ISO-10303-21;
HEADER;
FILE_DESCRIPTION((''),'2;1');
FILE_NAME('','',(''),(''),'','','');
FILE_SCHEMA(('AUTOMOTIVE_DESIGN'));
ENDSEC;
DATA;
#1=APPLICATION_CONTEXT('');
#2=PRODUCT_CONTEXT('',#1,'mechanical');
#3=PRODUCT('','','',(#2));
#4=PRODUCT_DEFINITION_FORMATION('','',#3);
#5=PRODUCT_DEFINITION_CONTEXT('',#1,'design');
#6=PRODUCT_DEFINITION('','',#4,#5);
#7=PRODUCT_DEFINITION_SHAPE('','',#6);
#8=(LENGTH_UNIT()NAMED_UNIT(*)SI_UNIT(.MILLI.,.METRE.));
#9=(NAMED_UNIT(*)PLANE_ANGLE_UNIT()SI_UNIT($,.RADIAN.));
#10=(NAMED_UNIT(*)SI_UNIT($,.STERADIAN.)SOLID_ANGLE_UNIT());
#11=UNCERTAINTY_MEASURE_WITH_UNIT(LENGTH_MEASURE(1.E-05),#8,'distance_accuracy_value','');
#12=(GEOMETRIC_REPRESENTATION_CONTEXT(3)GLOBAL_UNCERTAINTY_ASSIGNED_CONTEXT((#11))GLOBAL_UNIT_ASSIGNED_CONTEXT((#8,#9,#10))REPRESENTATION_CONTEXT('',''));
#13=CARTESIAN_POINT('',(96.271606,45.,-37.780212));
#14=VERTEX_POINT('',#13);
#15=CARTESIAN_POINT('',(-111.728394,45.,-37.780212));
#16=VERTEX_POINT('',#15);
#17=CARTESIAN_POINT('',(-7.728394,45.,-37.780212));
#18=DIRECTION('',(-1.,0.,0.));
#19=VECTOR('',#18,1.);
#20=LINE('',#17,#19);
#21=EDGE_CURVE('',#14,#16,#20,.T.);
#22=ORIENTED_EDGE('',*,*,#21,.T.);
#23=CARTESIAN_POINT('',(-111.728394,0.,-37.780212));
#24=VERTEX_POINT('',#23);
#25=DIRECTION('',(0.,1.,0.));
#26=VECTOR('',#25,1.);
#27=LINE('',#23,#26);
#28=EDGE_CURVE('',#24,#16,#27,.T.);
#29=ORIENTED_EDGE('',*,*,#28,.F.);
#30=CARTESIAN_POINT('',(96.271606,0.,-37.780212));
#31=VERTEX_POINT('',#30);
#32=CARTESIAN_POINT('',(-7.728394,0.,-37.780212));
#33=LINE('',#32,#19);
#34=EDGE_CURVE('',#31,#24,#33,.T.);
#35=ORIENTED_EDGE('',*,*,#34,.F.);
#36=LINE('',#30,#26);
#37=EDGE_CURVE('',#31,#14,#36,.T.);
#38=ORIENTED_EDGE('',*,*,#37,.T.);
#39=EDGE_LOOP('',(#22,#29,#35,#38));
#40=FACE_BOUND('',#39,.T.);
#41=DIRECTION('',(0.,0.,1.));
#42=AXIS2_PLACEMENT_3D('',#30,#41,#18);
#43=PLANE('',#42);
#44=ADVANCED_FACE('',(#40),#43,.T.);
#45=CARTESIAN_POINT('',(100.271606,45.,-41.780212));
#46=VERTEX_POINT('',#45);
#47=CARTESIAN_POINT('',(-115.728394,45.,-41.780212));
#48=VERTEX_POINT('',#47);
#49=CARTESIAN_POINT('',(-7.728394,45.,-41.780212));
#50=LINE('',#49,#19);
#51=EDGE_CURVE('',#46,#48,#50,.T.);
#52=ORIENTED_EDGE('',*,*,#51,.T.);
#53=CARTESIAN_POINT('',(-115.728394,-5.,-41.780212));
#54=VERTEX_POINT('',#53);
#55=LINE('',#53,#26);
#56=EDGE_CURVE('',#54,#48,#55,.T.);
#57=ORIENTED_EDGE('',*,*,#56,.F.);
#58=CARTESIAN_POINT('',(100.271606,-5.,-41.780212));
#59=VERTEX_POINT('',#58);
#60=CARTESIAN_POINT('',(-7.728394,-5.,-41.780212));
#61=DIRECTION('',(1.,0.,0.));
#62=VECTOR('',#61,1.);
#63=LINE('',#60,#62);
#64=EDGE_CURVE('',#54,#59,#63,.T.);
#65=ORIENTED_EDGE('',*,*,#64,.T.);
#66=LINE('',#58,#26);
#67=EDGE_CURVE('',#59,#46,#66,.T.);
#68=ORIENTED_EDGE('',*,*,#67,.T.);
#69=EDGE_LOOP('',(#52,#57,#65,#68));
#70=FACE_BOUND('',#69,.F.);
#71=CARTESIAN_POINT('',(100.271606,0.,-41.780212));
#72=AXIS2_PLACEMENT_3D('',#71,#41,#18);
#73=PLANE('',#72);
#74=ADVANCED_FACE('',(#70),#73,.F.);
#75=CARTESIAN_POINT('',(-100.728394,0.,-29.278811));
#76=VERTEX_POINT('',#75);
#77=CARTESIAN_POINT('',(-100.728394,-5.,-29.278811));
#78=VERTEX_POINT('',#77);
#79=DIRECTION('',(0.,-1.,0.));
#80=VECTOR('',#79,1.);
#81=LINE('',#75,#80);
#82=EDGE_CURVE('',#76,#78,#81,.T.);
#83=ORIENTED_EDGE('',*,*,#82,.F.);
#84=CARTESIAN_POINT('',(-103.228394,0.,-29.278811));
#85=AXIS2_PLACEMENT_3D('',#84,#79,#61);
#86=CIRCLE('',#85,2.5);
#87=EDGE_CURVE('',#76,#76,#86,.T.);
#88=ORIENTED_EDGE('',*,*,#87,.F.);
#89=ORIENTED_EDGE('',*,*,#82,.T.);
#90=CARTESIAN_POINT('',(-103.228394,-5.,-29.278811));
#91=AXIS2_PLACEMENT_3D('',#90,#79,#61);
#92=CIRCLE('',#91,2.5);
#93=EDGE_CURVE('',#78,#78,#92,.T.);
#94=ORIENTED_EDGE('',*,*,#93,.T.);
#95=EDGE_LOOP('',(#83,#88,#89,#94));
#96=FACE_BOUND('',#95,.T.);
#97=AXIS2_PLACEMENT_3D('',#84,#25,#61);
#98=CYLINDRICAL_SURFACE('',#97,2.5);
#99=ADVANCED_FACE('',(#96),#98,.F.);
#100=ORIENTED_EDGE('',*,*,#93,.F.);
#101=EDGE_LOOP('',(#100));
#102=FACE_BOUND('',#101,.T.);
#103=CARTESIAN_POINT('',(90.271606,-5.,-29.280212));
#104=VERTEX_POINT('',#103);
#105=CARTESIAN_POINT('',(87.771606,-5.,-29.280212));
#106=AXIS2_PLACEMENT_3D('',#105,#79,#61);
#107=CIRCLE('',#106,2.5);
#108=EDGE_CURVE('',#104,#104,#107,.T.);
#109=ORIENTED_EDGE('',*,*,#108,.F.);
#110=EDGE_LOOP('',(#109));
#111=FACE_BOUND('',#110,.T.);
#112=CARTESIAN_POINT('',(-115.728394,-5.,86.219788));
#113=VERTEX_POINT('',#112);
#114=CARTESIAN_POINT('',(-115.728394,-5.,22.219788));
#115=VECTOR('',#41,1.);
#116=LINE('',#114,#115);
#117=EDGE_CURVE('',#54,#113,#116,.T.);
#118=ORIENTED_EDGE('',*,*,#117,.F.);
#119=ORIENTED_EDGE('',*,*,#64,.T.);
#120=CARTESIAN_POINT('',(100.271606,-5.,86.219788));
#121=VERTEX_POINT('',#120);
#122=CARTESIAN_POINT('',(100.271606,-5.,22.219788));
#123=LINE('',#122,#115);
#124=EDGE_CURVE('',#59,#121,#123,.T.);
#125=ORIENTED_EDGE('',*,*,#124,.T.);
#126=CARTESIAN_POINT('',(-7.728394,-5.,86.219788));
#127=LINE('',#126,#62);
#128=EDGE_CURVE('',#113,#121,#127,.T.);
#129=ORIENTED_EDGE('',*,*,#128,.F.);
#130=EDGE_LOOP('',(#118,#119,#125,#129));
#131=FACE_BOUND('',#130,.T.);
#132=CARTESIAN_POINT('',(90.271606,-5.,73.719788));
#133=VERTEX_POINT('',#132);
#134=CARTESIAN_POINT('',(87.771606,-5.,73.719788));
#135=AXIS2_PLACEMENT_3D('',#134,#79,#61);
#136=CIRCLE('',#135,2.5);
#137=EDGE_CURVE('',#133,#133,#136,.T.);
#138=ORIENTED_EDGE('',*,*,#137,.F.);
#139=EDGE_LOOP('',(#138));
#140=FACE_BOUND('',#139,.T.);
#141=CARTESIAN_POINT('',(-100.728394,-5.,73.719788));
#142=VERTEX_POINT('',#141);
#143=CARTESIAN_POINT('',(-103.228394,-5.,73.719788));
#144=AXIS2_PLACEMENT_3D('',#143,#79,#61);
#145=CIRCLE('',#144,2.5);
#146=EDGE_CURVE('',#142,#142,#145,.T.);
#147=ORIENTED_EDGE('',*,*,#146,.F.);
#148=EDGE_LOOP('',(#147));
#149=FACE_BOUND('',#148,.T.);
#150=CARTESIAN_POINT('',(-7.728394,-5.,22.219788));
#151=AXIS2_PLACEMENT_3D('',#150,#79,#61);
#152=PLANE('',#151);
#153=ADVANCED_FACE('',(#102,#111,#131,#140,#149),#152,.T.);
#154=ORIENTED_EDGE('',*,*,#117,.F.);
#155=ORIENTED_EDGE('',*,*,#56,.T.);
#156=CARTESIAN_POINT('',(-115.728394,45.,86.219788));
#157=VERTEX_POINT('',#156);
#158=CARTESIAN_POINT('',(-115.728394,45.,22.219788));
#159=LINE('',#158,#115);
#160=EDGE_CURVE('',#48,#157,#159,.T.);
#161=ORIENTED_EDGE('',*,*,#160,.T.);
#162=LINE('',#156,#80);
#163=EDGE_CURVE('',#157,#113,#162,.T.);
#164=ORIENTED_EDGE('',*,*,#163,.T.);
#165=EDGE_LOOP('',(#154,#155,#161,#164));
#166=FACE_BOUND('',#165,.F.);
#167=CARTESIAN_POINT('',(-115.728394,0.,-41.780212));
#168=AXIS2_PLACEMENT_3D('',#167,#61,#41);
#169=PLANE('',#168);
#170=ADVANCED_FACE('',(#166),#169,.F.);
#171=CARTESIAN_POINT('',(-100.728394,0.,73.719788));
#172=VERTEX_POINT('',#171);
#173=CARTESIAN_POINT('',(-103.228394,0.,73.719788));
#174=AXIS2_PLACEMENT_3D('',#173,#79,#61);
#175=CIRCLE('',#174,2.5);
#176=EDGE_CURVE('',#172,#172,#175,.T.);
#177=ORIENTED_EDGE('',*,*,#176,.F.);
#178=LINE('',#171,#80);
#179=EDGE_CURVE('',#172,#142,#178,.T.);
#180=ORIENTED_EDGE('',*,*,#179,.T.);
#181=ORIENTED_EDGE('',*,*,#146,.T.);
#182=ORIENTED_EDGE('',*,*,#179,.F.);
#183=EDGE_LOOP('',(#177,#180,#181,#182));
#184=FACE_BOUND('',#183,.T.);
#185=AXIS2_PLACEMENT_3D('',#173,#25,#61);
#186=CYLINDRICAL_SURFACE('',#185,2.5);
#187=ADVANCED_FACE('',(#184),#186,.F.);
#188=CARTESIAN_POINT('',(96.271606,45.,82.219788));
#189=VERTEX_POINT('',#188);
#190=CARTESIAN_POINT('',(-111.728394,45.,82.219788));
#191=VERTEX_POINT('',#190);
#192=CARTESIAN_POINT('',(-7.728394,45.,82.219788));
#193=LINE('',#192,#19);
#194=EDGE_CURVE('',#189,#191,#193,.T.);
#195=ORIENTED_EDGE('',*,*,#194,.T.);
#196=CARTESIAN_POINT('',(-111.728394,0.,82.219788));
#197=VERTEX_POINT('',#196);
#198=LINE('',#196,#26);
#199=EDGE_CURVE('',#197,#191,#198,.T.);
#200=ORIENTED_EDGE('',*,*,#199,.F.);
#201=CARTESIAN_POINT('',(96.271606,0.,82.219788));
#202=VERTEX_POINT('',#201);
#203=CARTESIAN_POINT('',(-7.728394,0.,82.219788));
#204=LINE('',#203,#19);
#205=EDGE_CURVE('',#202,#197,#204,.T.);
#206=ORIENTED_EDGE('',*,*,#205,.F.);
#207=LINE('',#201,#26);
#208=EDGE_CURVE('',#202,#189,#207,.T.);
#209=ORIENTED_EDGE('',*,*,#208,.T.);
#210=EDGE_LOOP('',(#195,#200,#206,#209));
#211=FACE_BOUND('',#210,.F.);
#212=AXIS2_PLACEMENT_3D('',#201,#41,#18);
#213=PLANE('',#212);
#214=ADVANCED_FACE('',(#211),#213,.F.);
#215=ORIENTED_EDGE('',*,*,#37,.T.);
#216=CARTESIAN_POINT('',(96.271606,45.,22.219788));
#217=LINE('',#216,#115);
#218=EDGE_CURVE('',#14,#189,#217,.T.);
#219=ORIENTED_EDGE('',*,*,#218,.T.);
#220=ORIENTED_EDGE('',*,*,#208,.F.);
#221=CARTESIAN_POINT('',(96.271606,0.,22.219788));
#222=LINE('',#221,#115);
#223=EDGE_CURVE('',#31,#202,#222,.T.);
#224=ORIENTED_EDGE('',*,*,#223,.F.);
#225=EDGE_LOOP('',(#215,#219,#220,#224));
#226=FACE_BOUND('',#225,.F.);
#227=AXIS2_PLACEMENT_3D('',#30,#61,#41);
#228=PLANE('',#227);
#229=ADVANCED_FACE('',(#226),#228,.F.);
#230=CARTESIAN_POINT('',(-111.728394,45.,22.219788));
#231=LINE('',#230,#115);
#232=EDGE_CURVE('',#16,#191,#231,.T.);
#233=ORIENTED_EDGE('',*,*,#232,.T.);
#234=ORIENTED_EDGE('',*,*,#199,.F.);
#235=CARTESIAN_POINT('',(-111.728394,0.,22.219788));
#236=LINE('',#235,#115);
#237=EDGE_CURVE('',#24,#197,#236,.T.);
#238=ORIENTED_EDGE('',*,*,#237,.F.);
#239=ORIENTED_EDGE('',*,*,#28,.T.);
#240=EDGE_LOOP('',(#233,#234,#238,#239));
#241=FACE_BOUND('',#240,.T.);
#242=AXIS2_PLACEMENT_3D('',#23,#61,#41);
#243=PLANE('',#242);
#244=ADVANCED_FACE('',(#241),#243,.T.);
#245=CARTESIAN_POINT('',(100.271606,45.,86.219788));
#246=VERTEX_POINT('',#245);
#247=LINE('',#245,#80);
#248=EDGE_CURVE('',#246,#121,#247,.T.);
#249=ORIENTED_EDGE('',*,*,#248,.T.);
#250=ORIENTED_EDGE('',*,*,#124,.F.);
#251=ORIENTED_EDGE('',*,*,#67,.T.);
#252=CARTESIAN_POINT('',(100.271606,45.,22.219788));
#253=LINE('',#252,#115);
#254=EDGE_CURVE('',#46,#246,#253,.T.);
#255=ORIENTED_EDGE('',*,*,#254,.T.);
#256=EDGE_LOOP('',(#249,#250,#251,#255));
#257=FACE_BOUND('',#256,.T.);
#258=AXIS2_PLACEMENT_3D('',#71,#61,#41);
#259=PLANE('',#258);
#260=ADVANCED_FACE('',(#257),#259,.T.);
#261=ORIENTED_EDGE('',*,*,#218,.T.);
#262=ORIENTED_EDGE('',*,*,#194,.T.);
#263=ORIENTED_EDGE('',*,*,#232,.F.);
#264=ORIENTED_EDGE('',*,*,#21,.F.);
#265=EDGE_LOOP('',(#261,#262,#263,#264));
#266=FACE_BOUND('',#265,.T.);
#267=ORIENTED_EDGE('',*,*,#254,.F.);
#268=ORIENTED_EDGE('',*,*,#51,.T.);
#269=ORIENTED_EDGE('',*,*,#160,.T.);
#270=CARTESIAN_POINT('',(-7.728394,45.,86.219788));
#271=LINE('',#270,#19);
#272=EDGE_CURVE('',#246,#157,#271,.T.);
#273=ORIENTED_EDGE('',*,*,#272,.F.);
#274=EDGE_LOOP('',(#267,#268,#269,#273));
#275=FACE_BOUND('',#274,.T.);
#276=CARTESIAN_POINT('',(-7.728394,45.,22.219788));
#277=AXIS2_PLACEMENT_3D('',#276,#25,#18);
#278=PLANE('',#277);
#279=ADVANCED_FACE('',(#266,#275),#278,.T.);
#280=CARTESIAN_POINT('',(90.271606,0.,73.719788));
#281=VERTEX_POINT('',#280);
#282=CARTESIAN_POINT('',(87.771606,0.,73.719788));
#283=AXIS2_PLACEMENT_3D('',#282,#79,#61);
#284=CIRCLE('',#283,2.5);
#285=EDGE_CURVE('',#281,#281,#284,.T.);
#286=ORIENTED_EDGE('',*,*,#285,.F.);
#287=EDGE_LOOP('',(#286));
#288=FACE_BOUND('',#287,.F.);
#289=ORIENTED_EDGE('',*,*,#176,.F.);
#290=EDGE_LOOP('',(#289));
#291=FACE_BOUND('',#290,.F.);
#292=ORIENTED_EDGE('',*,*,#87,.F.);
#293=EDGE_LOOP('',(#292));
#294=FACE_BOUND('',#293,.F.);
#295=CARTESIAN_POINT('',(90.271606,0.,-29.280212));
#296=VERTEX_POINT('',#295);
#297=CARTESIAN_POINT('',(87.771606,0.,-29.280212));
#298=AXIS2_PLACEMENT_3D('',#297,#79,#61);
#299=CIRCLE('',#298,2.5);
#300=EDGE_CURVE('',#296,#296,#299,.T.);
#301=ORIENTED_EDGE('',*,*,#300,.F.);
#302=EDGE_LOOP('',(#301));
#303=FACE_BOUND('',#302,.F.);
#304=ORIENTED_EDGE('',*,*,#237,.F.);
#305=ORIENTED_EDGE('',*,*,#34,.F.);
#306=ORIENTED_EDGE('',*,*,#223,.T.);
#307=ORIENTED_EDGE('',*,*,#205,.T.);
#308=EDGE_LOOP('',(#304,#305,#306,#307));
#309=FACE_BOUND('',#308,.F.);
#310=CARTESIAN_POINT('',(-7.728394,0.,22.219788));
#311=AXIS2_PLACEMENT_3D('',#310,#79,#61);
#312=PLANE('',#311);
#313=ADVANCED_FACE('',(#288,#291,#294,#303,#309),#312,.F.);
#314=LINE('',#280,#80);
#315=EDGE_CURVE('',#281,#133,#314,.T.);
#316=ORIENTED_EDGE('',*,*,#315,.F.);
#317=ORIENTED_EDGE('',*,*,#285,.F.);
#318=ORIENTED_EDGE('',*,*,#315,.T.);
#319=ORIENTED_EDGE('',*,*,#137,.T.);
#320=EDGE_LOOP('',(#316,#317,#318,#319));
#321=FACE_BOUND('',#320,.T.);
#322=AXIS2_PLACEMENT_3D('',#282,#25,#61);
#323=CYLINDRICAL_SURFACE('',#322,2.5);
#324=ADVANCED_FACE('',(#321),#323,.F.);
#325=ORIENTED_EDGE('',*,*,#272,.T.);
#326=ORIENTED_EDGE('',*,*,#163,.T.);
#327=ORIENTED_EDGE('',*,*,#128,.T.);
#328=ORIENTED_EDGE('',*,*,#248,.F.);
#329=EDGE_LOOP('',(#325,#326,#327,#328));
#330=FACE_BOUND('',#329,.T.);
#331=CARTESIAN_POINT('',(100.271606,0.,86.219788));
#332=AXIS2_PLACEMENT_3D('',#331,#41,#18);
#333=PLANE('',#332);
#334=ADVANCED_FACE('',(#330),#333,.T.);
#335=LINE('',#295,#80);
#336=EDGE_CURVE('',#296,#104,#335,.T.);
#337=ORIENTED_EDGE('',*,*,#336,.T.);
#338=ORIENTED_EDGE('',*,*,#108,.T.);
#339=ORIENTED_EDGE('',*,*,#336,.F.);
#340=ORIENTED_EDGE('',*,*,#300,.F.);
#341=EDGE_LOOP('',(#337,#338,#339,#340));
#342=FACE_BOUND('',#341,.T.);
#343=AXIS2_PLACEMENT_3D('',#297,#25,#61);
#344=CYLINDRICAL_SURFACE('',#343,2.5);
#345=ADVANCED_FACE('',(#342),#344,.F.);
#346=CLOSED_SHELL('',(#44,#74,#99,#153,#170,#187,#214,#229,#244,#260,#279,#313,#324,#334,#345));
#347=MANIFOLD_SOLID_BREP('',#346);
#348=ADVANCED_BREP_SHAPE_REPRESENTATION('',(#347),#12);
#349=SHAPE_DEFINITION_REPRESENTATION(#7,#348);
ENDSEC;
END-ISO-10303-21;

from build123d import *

# Parameters (mm, degrees)
F0_W     = 216
F0_H     = 128
F0_R     = 2.5
F1_DEPTH = 5
F2_W     = 216
F2_H     = 128
F2_W_2   = 208
F2_H_2   = 120
F3_DEPTH = 45


with BuildPart() as f1:
    # F0 (on Front) → F1 (new body)
    with BuildSketch(Plane.XZ):
        with Locations((-7.728394, 22.219788)):
            Rectangle(F0_W, F0_H)
        with Locations((-103.228394, -29.278811)):
            Circle(F0_R, mode=Mode.SUBTRACT)
        with Locations((87.771606, -29.280212)):
            Circle(F0_R, mode=Mode.SUBTRACT)
        with Locations((-103.228394, 73.719788)):
            Circle(F0_R, mode=Mode.SUBTRACT)
        with Locations((87.771606, 73.719788)):
            Circle(F0_R, mode=Mode.SUBTRACT)
    extrude(amount=F1_DEPTH)

    # F2 (on face) → F3 (join)
    with BuildSketch(Plane(origin=(0, 0, 0), x_dir=(-1, 0, 0), z_dir=(0, 1, 0))):
        with Locations((7.728394, 22.219788)):
            Rectangle(F2_W, F2_H)
        with Locations((7.728394, 22.219788)):
            Rectangle(F2_W_2, F2_H_2, mode=Mode.SUBTRACT)
    extrude(amount=F3_DEPTH)


solid = f1.part
